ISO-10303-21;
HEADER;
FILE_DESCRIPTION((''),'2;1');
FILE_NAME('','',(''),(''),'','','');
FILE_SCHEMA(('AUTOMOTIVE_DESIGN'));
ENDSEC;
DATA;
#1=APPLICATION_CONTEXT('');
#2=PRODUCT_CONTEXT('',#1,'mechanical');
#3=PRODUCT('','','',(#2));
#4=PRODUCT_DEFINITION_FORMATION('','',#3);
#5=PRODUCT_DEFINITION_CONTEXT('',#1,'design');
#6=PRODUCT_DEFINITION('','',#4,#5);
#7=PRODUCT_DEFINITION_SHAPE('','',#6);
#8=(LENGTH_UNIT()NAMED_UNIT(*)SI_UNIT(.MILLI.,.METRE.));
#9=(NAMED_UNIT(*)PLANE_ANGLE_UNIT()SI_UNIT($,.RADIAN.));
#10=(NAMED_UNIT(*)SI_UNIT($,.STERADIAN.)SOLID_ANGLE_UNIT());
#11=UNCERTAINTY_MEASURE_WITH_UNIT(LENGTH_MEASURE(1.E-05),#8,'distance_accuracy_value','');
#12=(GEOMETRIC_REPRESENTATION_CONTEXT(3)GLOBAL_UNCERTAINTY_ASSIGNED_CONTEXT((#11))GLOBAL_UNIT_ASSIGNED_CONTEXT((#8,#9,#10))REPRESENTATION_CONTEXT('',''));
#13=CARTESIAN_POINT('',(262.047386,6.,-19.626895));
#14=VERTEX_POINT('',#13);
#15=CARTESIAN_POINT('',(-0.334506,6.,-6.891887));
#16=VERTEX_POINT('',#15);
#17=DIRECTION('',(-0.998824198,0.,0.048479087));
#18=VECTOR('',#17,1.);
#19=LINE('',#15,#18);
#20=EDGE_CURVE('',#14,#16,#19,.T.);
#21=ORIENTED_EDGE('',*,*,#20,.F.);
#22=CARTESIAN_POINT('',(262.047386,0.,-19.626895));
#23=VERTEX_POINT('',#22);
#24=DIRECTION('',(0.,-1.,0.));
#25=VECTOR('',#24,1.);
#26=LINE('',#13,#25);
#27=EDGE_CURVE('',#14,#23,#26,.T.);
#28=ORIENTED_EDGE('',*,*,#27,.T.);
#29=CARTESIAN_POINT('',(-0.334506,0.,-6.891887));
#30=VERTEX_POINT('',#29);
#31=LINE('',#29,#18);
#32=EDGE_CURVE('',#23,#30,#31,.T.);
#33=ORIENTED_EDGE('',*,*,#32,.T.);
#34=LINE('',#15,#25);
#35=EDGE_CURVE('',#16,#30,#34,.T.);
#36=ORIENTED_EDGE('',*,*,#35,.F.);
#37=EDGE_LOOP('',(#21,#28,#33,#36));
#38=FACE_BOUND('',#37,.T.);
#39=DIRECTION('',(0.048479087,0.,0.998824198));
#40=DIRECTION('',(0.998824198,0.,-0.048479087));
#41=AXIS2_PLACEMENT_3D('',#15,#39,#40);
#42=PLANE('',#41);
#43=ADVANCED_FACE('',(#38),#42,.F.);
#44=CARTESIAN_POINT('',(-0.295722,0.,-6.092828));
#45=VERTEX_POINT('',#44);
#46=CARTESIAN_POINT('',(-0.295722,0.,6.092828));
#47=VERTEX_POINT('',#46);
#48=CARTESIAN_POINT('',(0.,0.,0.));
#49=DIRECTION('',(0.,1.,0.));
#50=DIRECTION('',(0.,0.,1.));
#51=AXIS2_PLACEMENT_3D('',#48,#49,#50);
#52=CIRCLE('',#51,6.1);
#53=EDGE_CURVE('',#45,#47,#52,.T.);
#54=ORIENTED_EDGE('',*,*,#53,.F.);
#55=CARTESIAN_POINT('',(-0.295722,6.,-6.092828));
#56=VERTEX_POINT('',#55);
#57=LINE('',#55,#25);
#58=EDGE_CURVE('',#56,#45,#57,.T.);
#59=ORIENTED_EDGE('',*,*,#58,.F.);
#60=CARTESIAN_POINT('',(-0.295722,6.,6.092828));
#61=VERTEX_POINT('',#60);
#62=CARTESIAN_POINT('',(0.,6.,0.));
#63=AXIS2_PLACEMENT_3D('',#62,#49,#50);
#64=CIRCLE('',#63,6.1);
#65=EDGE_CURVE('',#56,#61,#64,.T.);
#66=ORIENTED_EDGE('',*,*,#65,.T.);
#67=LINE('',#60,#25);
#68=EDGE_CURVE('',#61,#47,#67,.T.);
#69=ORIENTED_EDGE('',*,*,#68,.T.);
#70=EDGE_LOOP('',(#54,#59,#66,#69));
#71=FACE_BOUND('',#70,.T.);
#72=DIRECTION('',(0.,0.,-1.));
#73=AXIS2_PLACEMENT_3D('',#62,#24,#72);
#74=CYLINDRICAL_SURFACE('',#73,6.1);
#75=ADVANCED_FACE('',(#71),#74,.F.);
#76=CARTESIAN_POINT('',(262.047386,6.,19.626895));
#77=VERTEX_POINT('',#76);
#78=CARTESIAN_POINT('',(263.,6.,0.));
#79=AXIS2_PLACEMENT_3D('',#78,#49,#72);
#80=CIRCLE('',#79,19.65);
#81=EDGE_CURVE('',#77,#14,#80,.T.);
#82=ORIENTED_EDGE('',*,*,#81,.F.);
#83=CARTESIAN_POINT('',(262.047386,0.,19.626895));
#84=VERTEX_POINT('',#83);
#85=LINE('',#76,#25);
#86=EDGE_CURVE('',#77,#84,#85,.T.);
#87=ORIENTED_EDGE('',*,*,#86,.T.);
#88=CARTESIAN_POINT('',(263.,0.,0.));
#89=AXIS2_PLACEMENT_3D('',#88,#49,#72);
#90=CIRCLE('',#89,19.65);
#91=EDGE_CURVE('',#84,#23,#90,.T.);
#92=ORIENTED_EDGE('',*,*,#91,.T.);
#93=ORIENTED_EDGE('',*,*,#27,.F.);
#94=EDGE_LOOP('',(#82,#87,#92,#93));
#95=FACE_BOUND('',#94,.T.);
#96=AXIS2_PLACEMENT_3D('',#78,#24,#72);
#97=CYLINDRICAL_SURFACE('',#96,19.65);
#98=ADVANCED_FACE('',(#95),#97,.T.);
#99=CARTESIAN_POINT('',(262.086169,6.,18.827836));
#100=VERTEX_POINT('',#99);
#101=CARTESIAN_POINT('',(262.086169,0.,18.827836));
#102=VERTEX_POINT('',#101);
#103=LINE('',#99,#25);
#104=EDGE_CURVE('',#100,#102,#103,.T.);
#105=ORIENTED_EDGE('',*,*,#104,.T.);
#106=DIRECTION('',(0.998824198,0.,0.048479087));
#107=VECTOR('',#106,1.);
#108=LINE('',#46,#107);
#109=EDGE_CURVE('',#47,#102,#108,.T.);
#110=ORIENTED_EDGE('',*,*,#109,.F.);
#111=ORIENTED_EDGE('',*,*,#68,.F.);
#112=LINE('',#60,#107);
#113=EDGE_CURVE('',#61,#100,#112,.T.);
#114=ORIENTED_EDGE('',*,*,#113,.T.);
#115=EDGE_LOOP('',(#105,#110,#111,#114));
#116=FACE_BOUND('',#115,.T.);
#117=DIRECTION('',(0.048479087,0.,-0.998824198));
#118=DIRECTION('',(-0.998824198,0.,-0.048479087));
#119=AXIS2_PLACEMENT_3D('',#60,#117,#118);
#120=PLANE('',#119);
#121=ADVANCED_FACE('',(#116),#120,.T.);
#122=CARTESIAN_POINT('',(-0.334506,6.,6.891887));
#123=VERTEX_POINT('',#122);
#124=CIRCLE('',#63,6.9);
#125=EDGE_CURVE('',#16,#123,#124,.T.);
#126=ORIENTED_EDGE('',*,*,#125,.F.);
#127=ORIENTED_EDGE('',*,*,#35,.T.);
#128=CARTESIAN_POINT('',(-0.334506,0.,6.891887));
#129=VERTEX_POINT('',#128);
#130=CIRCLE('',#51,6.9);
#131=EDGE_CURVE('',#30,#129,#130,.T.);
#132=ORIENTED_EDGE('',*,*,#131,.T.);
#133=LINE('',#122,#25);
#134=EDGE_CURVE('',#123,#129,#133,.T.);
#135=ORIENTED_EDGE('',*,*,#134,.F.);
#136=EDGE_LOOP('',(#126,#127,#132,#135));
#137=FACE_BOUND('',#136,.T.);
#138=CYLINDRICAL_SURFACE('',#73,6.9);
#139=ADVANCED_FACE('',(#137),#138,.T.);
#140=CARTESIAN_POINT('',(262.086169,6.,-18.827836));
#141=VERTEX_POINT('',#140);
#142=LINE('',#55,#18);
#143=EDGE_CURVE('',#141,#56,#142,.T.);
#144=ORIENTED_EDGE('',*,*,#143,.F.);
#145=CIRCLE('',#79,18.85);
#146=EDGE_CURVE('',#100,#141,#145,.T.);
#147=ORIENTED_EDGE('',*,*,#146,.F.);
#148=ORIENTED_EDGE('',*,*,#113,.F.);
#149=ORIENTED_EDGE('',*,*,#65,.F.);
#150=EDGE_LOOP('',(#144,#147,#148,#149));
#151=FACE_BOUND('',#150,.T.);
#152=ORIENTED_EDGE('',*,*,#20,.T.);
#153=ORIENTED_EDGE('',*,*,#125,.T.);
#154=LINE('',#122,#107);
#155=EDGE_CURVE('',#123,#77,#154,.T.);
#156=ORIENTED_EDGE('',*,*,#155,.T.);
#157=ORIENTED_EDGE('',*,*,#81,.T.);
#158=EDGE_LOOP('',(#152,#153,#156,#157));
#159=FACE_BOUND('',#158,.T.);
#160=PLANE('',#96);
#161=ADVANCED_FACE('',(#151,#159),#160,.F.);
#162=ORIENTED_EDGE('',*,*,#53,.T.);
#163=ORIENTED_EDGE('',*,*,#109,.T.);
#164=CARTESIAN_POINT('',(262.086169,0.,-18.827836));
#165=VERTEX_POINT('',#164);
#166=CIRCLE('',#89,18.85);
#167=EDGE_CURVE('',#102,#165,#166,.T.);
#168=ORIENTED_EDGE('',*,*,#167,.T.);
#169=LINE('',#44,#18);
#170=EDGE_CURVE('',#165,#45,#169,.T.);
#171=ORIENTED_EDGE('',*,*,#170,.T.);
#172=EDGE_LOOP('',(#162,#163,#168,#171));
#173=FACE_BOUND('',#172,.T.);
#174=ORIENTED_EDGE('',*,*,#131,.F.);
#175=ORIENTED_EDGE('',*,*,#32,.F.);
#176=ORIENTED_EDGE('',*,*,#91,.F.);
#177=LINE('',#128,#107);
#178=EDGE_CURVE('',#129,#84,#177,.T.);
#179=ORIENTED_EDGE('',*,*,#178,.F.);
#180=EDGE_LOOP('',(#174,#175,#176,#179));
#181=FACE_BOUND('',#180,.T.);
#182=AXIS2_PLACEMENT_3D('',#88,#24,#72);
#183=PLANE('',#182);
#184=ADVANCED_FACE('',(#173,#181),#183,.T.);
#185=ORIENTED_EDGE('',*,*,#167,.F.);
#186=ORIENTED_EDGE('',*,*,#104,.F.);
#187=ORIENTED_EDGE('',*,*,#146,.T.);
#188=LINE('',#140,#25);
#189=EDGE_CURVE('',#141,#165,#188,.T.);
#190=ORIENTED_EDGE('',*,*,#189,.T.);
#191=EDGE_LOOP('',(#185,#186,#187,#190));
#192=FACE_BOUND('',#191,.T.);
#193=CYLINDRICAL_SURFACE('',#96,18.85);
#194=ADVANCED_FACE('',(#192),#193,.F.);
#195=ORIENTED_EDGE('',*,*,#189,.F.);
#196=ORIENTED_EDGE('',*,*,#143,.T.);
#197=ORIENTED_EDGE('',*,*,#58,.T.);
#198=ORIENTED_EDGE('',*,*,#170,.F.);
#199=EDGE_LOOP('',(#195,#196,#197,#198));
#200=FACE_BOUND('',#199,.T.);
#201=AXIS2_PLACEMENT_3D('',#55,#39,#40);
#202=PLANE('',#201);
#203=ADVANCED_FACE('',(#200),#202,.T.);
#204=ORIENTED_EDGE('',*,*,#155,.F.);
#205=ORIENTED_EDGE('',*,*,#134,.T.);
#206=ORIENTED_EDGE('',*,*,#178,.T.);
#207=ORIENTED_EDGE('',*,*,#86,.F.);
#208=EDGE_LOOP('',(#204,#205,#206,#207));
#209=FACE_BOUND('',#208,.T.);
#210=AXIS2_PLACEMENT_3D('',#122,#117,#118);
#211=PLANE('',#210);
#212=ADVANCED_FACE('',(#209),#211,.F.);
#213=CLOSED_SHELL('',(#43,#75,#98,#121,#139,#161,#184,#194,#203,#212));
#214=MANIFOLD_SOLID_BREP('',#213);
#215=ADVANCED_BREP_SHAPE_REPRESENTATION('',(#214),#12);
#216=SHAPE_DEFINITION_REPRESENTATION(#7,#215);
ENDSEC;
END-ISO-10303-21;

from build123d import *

# Parameters (mm, degrees)
BOSS_EXTRUDE1_DEPTH = 6


with BuildPart() as part:
    # Sketch1 → Boss-Extrude1 (new body)
    with BuildSketch(Plane(origin=(0, 0, 0), x_dir=(1, 0, 0), z_dir=(0, 1, 0))):
        with BuildLine():
            Line((-0.334505703, -6.891886965), (262.047385932, -19.626895486))
            ThreePointArc((262.047385932, -19.626895486), (282.65, 0), (262.047385932, 19.626895486))
            Line((262.047385932, 19.626895486), (-0.334505703, 6.891886965))
            ThreePointArc((-0.334505703, 6.891886965), (-6.9, 0), (-0.334505703, -6.891886965))
        make_face()
        with BuildLine():
            Line((-0.295722433, 6.092827606), (262.086169202, 18.827836128))
            ThreePointArc((262.086169202, 18.827836128), (281.85, 0), (262.086169202, -18.827836128))
            Line((262.086169202, -18.827836128), (-0.295722433, -6.092827606))
            ThreePointArc((-0.295722433, -6.092827606), (-6.1, 0), (-0.295722433, 6.092827606))
        make_face(mode=Mode.SUBTRACT)
    extrude(amount=BOSS_EXTRUDE1_DEPTH)


solid = part.part
